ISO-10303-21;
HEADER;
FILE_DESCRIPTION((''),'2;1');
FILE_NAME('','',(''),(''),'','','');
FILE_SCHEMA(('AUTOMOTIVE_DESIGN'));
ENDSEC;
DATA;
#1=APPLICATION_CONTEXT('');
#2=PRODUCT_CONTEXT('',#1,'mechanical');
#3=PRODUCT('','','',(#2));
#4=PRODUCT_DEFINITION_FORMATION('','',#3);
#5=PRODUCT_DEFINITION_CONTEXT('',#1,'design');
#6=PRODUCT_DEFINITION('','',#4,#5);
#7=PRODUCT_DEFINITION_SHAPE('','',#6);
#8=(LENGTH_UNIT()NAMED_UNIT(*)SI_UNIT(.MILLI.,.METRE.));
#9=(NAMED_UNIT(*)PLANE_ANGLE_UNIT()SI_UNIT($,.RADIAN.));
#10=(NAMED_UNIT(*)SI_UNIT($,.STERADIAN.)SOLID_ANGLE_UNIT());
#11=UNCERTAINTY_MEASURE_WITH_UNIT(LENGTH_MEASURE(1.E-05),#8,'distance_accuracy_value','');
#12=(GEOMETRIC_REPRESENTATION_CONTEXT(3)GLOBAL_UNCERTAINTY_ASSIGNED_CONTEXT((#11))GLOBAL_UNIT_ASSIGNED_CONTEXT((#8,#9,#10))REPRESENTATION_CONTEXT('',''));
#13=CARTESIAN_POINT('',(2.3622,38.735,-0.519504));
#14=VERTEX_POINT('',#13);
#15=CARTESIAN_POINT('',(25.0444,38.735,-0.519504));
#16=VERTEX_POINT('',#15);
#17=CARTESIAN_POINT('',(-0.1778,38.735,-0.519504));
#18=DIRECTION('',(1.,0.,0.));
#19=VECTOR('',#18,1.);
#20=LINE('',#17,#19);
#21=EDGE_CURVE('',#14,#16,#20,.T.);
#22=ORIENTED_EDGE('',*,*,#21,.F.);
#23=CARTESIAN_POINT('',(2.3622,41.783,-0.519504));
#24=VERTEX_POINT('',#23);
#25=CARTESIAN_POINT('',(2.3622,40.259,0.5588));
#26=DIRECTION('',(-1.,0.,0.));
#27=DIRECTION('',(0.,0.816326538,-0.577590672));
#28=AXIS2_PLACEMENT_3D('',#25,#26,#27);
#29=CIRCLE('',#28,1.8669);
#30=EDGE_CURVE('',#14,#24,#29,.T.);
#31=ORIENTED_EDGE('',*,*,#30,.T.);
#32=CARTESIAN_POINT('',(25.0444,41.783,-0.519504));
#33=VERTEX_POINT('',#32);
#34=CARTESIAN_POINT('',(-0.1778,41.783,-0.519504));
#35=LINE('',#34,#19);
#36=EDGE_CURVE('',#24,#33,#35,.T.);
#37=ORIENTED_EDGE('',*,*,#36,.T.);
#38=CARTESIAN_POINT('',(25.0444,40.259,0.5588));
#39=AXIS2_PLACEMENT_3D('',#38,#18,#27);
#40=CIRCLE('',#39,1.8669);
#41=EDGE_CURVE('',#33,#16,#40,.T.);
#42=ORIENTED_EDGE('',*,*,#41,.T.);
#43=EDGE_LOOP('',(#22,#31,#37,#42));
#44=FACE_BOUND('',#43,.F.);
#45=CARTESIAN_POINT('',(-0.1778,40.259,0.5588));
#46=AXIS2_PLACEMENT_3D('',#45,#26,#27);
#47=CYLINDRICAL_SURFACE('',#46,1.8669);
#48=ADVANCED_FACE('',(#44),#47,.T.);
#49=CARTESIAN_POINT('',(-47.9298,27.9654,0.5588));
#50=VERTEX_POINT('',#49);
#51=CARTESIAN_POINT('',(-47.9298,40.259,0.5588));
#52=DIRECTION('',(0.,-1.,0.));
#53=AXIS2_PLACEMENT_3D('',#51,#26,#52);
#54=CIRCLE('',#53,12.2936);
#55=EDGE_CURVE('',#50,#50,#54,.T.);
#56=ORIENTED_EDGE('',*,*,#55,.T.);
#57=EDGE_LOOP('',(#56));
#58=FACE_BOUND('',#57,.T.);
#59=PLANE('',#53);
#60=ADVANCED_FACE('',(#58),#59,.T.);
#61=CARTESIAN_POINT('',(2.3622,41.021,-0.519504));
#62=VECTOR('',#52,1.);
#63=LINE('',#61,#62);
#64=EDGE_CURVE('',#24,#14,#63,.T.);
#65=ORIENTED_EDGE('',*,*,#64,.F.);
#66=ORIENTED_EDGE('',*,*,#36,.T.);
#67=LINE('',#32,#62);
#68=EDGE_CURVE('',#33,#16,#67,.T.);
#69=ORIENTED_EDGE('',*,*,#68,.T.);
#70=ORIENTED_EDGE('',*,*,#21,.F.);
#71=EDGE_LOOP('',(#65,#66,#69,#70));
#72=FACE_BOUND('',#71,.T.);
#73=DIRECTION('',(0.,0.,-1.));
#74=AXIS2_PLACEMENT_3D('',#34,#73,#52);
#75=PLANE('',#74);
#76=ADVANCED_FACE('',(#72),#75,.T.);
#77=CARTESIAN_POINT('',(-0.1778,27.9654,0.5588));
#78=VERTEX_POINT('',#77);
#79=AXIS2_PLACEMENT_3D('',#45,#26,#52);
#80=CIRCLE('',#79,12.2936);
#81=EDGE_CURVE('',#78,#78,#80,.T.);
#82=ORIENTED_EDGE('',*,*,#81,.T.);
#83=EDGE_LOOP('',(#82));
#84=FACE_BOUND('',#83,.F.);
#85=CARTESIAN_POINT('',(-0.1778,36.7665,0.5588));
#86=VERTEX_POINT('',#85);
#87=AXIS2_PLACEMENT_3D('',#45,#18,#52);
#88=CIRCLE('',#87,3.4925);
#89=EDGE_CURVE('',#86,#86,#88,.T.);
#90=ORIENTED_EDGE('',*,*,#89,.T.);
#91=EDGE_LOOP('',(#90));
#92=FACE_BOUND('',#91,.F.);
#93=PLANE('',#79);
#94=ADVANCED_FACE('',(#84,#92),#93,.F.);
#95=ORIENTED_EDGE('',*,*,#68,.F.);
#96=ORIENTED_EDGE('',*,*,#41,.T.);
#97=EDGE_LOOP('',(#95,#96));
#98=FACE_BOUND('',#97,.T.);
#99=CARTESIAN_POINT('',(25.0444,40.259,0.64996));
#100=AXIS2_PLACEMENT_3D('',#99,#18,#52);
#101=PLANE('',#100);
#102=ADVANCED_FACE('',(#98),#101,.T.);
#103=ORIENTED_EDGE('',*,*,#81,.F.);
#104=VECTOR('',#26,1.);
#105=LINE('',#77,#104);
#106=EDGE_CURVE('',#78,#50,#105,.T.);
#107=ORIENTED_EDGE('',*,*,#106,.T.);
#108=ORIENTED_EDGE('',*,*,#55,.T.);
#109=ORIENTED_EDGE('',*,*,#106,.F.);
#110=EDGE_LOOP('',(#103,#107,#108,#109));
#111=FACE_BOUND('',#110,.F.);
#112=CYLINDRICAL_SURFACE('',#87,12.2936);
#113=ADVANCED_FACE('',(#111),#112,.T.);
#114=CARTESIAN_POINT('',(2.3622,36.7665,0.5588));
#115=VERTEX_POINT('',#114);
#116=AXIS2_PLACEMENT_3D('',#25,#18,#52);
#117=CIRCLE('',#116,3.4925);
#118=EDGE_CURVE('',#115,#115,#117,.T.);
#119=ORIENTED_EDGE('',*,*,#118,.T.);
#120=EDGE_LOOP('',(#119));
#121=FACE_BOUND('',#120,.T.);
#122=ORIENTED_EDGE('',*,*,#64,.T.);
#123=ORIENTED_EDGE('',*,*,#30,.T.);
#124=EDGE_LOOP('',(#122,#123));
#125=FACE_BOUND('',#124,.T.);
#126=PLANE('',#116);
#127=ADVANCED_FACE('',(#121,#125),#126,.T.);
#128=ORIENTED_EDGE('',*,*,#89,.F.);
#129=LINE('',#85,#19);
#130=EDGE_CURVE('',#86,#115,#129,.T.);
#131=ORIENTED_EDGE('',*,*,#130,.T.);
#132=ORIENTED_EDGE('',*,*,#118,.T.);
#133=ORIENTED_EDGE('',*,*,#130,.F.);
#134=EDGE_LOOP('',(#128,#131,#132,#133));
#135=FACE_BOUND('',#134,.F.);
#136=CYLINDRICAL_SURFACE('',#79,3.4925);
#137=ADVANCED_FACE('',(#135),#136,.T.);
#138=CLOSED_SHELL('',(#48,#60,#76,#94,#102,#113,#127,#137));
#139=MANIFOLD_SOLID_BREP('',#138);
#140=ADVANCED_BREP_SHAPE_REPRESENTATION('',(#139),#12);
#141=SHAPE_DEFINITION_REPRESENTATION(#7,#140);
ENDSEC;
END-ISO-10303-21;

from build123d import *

# Parameters (mm, degrees)
SKETCH058_R             = 12.2936
PAD026_DEPTH            = 47.752
PAD027_DEPTH            = 25.2222
SKETCH062_R             = 3.4925
PAD029_DEPTH            = 2.54
BODY021_PLACEMENT_ANGLE = 180


with BuildPart() as part:
    # Sketch058 → Pad026 (new body)
    with BuildSketch(Plane.YZ):
        Circle(SKETCH058_R)
    extrude(amount=PAD026_DEPTH)

    # Sketch059 (on Face2 of Pad026) → Pad027 (join)
    with BuildSketch(Plane(origin=(0, 0, 0), x_dir=(0, 1, 0), z_dir=(-1, 0, 0))):
        with BuildLine():
            ThreePointArc((-1.524, 1.078304), (0, -1.8669), (1.524, 1.078304))
            Line((-1.524, 1.078304), (1.524, 1.078304))
        make_face()
    extrude(amount=PAD027_DEPTH)

    # Sketch062 (on Face2 of Pad027) → Pad029 (join)
    with BuildSketch(Plane(origin=(0, 0, 0), x_dir=(0, 1, 0), z_dir=(-1, 0, 0))):
        Circle(SKETCH062_R)
    extrude(amount=PAD029_DEPTH)


with BuildPart() as part_1:
    # Body021 placement: moved
    add(part.part.moved(Location((-0.1778, 40.259, 0.5588))).rotate(Axis((-0.1778, 40.259, 0.5588), (0, 0, 1)), BODY021_PLACEMENT_ANGLE))


solid = part_1.part
